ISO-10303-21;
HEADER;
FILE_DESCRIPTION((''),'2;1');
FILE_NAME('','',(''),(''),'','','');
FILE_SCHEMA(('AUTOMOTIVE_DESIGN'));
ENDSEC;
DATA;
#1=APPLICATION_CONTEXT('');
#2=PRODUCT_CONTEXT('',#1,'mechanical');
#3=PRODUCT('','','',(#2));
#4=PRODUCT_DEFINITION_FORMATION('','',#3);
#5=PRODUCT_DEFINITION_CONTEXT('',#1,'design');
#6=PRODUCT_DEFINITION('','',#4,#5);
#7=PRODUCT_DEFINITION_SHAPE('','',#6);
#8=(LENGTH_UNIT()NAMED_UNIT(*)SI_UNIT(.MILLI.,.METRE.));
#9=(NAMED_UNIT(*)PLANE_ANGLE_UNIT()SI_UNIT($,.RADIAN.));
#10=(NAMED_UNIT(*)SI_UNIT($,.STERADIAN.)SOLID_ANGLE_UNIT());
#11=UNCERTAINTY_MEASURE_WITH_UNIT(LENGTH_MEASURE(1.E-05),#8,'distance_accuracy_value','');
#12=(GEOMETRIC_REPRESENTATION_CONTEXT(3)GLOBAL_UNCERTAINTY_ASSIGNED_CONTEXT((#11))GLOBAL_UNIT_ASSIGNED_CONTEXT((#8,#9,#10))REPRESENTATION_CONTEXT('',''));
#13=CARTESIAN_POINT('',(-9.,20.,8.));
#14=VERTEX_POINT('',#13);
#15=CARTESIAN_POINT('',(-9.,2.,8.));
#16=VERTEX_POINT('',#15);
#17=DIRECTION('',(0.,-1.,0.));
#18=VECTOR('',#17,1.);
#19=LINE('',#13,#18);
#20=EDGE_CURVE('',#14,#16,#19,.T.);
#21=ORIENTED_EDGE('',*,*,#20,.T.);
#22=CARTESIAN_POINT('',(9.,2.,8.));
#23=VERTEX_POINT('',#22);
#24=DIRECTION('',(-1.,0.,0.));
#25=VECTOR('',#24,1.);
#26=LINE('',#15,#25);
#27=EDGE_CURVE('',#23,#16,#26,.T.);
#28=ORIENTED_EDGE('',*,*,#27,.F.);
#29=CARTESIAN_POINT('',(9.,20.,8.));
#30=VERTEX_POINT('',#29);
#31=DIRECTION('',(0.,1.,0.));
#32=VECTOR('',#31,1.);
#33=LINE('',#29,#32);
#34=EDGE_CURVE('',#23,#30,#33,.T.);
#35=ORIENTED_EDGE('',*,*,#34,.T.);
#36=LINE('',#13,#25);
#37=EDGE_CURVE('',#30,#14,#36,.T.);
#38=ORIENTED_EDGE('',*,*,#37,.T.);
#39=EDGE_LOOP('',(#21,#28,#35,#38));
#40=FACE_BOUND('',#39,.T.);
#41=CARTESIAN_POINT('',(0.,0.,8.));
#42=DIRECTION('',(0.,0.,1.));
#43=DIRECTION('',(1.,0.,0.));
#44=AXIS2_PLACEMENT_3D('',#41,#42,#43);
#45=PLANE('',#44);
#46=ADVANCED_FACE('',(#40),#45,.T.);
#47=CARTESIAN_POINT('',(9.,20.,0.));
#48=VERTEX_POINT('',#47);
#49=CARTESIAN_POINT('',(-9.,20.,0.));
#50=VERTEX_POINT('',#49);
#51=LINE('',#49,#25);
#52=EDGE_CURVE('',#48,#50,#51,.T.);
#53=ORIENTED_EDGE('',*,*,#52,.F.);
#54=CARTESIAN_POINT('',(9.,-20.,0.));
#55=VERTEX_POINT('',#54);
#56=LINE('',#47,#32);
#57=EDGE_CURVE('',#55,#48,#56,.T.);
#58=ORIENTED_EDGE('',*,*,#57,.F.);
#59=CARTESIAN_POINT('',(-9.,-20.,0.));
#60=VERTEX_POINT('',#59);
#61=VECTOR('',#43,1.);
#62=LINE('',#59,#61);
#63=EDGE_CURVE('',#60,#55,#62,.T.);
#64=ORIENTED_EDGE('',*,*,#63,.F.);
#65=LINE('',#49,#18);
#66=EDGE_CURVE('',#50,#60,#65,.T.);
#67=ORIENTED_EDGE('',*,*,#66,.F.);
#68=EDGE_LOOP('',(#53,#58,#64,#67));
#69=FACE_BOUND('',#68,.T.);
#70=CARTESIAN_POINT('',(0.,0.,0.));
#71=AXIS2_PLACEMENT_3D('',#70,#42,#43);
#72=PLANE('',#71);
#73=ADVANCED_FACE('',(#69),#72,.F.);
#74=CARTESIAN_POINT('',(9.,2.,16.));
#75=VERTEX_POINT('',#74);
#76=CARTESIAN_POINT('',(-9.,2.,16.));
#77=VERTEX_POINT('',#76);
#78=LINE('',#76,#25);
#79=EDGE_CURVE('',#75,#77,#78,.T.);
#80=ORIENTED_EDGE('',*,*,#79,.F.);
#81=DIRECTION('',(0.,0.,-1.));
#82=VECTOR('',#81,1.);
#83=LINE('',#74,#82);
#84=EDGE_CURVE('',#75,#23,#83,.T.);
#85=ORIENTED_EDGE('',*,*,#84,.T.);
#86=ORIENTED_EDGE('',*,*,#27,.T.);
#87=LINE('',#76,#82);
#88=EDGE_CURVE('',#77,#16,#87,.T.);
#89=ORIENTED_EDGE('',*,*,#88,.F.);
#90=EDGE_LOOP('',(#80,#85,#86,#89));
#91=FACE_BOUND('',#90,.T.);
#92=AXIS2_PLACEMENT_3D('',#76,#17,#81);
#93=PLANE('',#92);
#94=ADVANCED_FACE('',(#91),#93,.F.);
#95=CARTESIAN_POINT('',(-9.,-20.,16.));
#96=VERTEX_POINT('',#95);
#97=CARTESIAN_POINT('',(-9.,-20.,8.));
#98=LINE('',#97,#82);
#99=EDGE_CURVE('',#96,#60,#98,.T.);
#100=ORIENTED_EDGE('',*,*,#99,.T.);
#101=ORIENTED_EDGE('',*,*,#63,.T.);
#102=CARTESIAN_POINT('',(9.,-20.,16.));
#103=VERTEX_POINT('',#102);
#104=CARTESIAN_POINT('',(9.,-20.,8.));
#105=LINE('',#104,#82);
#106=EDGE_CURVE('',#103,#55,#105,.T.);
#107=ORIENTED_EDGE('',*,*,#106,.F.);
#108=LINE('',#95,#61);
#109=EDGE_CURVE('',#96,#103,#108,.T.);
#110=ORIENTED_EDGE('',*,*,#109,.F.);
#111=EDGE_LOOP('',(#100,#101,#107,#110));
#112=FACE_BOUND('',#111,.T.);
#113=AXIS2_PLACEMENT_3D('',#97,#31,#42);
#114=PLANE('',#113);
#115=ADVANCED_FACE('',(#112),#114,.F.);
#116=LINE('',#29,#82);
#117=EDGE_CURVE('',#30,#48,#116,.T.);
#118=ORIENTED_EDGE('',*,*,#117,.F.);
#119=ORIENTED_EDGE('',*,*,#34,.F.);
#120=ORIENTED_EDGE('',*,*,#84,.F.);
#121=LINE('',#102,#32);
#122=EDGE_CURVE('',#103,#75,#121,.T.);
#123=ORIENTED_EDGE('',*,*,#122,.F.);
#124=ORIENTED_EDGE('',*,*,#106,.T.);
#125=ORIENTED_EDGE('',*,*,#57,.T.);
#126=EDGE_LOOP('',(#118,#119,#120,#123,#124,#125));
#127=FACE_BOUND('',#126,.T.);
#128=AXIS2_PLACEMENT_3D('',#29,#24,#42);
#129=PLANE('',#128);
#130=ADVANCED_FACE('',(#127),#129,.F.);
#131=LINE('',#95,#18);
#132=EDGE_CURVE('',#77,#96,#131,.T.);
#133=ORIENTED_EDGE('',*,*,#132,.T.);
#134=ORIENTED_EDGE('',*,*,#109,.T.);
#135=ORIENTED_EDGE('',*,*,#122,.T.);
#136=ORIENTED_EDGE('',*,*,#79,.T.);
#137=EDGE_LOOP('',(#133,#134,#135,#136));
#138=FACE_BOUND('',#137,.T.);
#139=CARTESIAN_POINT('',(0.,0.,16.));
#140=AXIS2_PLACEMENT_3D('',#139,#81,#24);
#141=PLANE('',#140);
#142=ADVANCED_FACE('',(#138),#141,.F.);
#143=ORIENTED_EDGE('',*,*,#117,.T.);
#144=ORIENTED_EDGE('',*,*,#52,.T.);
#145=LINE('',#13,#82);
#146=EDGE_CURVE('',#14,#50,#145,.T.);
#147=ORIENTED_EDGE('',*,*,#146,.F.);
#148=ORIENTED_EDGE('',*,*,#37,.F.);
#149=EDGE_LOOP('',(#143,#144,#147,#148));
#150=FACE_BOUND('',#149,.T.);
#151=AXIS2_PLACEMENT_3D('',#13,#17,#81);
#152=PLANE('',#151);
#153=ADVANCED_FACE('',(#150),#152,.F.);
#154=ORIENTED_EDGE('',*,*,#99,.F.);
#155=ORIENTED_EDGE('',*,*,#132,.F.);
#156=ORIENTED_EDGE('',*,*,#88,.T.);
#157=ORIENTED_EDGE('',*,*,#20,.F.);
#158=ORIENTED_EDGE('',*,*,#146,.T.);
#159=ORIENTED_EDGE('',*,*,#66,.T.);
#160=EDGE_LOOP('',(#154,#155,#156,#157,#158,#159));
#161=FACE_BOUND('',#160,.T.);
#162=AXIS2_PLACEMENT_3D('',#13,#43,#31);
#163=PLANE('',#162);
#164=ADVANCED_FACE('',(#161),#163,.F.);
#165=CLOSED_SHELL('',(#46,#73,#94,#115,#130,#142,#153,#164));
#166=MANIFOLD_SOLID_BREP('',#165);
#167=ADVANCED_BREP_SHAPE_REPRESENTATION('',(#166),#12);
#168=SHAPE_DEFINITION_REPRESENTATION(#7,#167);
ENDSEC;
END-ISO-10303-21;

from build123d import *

# Parameters (mm, degrees)
SKETCH1_W           = 18
SKETCH1_H           = 40
BOSS_EXTRUDE1_DEPTH = 8
SKETCH2_W           = 18
SKETCH2_H           = 22
BOSS_EXTRUDE2_DEPTH = 8


with BuildPart() as part:
    # Sketch1 → Boss-Extrude1 (new body)
    with BuildSketch(Plane.XY):
        Rectangle(SKETCH1_W, SKETCH1_H)
    extrude(amount=BOSS_EXTRUDE1_DEPTH)

    # Sketch2 → Boss-Extrude2 (add)
    with BuildSketch(Plane.XY.offset(8)):
        with Locations((0, -9)):
            Rectangle(SKETCH2_W, SKETCH2_H)
    extrude(amount=BOSS_EXTRUDE2_DEPTH)


solid = part.part
